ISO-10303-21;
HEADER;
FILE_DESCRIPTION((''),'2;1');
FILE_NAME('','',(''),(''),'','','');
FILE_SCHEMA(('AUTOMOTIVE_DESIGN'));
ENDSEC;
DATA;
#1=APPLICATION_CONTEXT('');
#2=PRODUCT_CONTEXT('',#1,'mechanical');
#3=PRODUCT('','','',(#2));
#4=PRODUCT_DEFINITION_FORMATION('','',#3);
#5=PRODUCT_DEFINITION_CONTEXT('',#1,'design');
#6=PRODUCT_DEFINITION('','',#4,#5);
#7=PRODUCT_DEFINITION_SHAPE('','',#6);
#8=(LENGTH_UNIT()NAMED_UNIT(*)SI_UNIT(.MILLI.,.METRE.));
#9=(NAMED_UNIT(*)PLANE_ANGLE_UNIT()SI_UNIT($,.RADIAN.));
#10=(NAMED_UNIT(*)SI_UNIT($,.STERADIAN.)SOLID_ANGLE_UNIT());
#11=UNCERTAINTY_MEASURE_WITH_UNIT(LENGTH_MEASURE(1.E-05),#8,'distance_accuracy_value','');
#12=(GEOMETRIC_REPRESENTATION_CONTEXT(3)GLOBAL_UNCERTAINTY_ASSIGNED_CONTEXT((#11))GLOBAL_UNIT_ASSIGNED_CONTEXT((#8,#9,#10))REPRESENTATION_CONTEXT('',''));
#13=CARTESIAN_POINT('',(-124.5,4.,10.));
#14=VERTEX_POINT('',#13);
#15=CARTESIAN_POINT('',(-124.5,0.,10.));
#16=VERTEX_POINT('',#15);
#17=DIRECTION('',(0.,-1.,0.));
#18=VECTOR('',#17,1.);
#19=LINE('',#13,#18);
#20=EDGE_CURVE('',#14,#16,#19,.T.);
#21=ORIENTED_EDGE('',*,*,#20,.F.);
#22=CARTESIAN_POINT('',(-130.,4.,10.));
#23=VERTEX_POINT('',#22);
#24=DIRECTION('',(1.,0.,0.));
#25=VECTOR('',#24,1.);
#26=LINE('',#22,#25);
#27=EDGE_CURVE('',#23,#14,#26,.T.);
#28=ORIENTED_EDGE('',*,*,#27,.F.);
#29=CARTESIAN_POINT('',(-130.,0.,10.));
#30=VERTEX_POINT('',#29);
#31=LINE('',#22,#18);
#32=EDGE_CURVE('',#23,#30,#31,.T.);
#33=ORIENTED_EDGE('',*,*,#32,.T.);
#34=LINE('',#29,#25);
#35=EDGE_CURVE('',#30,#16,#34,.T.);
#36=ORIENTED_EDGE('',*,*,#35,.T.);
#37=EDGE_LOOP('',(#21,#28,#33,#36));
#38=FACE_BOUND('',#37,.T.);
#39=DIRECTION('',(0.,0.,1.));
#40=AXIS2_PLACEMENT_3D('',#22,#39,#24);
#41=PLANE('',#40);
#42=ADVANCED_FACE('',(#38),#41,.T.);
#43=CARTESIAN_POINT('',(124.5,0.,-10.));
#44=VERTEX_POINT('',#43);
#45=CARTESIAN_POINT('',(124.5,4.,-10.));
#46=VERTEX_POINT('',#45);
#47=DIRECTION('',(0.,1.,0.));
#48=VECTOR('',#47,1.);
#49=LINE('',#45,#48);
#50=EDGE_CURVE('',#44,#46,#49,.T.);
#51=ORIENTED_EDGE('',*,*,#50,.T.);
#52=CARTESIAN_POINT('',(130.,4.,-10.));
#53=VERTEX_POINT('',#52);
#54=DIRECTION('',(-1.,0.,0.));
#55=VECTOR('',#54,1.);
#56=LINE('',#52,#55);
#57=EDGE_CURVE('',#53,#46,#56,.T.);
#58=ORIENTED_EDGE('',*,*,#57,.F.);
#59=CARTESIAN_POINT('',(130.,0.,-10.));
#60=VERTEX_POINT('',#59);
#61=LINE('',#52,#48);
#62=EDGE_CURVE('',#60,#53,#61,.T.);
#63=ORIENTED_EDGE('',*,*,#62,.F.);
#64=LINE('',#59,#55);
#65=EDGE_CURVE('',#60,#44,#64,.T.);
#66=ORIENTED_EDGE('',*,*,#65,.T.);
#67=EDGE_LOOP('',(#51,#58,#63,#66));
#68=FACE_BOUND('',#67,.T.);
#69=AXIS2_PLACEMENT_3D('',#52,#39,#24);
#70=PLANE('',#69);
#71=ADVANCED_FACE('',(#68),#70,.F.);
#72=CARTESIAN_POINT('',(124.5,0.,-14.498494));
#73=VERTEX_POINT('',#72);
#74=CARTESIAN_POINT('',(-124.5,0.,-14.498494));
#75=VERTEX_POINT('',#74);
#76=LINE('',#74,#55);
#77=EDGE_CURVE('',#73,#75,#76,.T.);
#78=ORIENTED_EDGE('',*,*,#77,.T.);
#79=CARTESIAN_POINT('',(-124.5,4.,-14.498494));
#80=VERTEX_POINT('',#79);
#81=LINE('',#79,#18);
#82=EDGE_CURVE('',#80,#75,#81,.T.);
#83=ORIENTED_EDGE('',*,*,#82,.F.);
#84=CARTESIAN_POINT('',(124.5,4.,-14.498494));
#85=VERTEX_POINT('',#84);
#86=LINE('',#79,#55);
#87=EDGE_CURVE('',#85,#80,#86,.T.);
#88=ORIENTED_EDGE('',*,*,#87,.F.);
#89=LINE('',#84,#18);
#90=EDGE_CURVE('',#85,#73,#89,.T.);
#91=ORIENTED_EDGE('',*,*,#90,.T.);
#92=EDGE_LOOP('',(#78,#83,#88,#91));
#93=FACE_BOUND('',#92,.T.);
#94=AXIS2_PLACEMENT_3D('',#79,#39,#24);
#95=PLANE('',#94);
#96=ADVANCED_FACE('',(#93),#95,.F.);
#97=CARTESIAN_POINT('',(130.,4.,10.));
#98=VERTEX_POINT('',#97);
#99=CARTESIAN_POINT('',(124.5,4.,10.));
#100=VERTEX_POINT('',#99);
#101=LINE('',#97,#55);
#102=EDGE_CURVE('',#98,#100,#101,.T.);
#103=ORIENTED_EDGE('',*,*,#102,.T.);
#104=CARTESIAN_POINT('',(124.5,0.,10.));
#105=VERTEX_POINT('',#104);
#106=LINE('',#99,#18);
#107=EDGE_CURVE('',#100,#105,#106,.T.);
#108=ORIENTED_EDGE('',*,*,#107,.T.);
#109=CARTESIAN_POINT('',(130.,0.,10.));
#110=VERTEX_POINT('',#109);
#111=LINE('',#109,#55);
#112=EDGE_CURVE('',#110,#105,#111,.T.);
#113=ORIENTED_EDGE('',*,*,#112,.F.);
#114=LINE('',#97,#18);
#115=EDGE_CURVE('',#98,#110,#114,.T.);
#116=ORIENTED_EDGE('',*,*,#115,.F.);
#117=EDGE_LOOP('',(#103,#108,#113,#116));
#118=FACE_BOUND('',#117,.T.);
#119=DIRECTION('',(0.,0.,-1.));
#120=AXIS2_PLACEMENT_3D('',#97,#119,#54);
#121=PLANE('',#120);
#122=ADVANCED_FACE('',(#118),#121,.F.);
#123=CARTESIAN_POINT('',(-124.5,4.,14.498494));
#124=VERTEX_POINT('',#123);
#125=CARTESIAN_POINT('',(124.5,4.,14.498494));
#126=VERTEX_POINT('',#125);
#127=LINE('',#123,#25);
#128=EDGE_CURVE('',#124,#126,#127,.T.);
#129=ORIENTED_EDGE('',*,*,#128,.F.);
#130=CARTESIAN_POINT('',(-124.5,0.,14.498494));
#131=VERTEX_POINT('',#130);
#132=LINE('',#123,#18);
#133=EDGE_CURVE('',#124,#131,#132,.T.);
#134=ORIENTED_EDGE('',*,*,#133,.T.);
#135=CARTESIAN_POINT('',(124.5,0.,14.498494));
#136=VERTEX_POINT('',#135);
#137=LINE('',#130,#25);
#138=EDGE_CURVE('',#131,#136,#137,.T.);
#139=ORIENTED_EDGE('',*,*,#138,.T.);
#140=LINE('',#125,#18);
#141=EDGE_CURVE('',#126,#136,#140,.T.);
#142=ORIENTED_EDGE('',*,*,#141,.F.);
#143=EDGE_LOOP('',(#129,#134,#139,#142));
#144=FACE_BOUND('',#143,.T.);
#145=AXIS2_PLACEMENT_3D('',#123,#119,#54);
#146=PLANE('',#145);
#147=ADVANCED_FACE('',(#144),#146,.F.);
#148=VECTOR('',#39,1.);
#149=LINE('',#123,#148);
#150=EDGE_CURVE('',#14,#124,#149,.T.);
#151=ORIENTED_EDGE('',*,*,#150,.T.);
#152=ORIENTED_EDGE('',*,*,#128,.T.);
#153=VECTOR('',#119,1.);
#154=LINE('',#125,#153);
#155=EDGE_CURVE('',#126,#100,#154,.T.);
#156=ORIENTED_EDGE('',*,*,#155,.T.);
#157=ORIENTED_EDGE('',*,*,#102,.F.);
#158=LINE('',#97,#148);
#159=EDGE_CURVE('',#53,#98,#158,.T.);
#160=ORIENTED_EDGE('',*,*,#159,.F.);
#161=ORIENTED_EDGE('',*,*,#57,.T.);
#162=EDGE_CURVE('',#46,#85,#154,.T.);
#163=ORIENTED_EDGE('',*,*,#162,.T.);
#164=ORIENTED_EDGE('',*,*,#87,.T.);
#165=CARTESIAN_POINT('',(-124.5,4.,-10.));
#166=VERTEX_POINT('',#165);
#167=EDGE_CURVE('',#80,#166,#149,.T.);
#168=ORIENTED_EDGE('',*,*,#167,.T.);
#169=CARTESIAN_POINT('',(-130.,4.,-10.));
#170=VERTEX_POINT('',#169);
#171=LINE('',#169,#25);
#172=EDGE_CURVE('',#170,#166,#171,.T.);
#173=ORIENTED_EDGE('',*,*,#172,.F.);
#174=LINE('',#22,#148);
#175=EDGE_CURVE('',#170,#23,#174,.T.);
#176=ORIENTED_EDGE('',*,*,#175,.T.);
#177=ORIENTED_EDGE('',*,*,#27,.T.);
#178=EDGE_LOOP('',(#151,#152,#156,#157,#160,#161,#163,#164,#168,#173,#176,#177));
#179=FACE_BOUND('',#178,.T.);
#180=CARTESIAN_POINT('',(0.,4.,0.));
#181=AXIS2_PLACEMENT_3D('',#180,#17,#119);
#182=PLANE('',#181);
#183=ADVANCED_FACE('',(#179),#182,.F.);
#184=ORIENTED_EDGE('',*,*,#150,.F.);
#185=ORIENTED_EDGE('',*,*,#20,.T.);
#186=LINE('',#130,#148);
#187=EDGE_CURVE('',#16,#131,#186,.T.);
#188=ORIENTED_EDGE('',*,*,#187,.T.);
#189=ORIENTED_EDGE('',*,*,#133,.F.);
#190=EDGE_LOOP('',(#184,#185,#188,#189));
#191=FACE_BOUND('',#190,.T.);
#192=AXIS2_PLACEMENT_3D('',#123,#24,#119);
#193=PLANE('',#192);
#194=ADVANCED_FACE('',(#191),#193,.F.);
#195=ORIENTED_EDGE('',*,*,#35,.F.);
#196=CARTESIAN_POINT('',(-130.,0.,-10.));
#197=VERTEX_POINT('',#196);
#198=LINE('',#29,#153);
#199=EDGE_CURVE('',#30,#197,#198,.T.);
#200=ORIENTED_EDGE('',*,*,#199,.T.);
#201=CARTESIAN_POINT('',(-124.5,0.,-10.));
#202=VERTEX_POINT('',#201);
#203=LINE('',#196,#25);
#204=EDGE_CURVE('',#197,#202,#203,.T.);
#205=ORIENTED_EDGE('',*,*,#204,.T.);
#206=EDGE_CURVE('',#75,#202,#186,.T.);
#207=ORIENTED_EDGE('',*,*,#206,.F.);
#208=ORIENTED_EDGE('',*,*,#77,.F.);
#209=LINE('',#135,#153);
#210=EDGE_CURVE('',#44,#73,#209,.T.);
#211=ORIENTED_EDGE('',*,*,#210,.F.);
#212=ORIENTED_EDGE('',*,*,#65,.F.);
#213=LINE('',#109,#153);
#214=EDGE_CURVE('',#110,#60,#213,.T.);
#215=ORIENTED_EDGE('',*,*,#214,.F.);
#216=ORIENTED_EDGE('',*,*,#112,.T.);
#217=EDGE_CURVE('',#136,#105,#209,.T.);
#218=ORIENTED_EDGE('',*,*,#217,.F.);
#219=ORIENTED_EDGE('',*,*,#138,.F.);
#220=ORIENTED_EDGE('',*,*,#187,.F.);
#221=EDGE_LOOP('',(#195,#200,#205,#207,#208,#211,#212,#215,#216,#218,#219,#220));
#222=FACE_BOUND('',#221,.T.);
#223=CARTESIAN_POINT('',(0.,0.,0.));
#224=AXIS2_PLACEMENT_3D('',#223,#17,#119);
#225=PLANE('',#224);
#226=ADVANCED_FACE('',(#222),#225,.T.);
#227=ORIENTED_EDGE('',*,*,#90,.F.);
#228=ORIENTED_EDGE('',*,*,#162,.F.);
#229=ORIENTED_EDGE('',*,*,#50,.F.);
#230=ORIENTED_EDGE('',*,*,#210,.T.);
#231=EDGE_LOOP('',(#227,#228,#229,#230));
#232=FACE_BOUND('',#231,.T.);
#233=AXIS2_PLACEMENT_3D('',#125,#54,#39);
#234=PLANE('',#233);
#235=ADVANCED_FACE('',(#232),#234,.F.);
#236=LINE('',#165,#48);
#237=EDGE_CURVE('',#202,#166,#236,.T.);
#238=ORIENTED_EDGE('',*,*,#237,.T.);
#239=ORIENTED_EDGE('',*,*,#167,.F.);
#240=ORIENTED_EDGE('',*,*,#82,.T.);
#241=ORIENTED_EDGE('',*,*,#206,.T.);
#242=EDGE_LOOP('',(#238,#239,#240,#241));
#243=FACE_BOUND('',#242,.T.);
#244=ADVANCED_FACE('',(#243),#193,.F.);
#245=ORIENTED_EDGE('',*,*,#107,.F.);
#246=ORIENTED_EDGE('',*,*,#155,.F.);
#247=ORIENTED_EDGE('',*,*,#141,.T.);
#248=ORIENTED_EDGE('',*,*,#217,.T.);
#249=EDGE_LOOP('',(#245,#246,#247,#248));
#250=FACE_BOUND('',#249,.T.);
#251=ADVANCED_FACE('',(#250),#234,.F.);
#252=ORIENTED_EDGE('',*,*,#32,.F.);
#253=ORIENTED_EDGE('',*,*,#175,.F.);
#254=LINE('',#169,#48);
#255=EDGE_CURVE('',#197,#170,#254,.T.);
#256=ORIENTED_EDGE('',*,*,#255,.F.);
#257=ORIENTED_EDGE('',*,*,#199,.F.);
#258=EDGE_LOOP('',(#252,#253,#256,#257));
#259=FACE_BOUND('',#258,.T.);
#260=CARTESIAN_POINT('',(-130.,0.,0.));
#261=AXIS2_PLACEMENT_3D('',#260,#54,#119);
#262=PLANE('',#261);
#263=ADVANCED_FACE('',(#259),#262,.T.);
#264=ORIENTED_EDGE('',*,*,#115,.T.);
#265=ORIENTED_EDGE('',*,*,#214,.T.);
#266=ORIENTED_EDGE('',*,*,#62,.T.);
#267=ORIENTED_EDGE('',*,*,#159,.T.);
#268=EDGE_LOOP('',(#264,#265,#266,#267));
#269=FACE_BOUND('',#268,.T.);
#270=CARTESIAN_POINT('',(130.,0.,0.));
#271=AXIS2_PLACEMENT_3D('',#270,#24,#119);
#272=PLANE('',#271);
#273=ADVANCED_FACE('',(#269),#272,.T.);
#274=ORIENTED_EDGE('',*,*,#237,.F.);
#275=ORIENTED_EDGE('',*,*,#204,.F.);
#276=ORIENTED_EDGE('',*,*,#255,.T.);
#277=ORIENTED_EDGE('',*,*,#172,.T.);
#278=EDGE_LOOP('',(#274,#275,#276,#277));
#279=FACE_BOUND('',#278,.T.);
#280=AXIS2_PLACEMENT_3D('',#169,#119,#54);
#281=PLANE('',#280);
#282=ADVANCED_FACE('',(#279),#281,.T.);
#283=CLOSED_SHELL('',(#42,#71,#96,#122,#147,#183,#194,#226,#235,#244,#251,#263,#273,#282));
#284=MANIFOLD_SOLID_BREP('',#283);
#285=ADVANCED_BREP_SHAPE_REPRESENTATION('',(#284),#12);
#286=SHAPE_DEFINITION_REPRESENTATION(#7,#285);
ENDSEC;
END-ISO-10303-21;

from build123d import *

# Parameters (mm, degrees)
SKETCH_1_W      = 249
SKETCH_1_H      = 28.996988848
EXTRUDE_1_DEPTH = 4
SKETCH_2_W      = 20
SKETCH_2_H      = 4
EXTRUDE_2_DEPTH = 5.5


with BuildPart() as part:
    # Эскиз1 → Бобышка-Вытянуть1 (new body)
    with BuildSketch(Plane(origin=(0, 0, 0), x_dir=(1, 0, 0), z_dir=(0, 1, 0))):
        Rectangle(SKETCH_1_W, SKETCH_1_H)
    extrude(amount=EXTRUDE_1_DEPTH)

    # Эскиз2 → Бобышка-Вытянуть2 (add)
    with BuildSketch(Plane(origin=(124.5, 0, 0), x_dir=(0, 0, -1), z_dir=(1, 0, 0))):
        with Locations((0, 2)):
            Rectangle(SKETCH_2_W, SKETCH_2_H)
    extrude_2 = extrude(amount=EXTRUDE_2_DEPTH)

    # Mirror1: Бобышка-Вытянуть2 across plane
    add(extrude_2.mirror(Plane(origin=(0, 0, 0), x_dir=(0, 0, 1), z_dir=(1, 0, 0))))


solid = part.part
